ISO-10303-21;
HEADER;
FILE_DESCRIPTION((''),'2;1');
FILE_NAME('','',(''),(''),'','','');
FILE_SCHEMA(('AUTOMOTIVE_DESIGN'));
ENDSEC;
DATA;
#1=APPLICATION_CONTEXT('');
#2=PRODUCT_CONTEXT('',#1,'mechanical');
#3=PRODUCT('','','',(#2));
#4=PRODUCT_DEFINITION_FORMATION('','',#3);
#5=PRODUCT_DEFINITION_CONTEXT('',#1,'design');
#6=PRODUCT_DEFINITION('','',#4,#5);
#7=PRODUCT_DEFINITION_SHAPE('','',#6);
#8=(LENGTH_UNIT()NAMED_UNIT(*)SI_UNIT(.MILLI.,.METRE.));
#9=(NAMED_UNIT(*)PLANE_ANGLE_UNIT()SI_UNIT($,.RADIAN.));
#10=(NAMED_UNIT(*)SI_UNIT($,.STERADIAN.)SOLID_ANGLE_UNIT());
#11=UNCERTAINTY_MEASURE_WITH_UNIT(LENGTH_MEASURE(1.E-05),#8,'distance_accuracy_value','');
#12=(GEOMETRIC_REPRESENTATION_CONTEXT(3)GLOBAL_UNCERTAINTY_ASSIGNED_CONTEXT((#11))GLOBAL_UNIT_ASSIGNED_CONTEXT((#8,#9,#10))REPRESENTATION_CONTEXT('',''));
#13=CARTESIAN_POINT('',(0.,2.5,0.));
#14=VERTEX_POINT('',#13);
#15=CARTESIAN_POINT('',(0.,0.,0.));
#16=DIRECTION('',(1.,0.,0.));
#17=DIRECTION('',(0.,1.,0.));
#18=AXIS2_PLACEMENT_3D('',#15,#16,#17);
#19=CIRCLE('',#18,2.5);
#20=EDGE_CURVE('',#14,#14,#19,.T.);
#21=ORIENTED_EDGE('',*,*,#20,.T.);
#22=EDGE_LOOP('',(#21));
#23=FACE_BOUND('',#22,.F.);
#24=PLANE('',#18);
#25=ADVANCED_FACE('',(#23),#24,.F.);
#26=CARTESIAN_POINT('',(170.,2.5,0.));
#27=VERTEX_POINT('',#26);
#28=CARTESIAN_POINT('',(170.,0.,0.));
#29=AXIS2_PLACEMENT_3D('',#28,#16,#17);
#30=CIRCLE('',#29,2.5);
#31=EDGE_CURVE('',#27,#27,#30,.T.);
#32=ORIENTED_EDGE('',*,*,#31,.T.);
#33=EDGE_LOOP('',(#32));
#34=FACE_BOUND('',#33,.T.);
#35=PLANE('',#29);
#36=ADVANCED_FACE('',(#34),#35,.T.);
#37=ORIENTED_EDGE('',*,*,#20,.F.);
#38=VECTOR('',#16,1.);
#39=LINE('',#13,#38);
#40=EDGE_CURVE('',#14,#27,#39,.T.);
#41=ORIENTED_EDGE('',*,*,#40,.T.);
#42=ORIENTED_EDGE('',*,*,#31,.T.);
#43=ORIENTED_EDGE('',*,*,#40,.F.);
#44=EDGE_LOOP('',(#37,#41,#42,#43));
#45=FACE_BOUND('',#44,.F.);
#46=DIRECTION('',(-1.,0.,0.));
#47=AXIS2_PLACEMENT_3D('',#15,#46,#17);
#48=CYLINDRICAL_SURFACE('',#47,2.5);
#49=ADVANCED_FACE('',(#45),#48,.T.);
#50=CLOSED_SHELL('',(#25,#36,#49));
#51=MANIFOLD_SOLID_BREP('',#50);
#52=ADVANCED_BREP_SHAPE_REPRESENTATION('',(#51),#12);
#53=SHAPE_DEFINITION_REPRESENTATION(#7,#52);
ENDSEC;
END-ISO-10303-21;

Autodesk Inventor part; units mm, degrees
ref_plane "YZ Plane" through (0, 0, 0) normal (1, 0, 0) x (0, 1, 0)
ref_plane "XZ Plane" through (0, 0, 0) normal (0, 1, 0) x (-1, 0, 0)
ref_plane "XY Plane" through (0, 0, 0) normal (0, 0, 1) x (1, 0, 0)
sketch "Sketch1" plane through (0, 0, 0) normal (1, 0, 0) x (0, 1, 0)
  circle A0 centre (0, 0) radius 2.5
  dimension "d0" = 5
extrude "Extrusion1" add sketch "Sketch1" along normal blind 170
properties part number "Eje 5mm"
